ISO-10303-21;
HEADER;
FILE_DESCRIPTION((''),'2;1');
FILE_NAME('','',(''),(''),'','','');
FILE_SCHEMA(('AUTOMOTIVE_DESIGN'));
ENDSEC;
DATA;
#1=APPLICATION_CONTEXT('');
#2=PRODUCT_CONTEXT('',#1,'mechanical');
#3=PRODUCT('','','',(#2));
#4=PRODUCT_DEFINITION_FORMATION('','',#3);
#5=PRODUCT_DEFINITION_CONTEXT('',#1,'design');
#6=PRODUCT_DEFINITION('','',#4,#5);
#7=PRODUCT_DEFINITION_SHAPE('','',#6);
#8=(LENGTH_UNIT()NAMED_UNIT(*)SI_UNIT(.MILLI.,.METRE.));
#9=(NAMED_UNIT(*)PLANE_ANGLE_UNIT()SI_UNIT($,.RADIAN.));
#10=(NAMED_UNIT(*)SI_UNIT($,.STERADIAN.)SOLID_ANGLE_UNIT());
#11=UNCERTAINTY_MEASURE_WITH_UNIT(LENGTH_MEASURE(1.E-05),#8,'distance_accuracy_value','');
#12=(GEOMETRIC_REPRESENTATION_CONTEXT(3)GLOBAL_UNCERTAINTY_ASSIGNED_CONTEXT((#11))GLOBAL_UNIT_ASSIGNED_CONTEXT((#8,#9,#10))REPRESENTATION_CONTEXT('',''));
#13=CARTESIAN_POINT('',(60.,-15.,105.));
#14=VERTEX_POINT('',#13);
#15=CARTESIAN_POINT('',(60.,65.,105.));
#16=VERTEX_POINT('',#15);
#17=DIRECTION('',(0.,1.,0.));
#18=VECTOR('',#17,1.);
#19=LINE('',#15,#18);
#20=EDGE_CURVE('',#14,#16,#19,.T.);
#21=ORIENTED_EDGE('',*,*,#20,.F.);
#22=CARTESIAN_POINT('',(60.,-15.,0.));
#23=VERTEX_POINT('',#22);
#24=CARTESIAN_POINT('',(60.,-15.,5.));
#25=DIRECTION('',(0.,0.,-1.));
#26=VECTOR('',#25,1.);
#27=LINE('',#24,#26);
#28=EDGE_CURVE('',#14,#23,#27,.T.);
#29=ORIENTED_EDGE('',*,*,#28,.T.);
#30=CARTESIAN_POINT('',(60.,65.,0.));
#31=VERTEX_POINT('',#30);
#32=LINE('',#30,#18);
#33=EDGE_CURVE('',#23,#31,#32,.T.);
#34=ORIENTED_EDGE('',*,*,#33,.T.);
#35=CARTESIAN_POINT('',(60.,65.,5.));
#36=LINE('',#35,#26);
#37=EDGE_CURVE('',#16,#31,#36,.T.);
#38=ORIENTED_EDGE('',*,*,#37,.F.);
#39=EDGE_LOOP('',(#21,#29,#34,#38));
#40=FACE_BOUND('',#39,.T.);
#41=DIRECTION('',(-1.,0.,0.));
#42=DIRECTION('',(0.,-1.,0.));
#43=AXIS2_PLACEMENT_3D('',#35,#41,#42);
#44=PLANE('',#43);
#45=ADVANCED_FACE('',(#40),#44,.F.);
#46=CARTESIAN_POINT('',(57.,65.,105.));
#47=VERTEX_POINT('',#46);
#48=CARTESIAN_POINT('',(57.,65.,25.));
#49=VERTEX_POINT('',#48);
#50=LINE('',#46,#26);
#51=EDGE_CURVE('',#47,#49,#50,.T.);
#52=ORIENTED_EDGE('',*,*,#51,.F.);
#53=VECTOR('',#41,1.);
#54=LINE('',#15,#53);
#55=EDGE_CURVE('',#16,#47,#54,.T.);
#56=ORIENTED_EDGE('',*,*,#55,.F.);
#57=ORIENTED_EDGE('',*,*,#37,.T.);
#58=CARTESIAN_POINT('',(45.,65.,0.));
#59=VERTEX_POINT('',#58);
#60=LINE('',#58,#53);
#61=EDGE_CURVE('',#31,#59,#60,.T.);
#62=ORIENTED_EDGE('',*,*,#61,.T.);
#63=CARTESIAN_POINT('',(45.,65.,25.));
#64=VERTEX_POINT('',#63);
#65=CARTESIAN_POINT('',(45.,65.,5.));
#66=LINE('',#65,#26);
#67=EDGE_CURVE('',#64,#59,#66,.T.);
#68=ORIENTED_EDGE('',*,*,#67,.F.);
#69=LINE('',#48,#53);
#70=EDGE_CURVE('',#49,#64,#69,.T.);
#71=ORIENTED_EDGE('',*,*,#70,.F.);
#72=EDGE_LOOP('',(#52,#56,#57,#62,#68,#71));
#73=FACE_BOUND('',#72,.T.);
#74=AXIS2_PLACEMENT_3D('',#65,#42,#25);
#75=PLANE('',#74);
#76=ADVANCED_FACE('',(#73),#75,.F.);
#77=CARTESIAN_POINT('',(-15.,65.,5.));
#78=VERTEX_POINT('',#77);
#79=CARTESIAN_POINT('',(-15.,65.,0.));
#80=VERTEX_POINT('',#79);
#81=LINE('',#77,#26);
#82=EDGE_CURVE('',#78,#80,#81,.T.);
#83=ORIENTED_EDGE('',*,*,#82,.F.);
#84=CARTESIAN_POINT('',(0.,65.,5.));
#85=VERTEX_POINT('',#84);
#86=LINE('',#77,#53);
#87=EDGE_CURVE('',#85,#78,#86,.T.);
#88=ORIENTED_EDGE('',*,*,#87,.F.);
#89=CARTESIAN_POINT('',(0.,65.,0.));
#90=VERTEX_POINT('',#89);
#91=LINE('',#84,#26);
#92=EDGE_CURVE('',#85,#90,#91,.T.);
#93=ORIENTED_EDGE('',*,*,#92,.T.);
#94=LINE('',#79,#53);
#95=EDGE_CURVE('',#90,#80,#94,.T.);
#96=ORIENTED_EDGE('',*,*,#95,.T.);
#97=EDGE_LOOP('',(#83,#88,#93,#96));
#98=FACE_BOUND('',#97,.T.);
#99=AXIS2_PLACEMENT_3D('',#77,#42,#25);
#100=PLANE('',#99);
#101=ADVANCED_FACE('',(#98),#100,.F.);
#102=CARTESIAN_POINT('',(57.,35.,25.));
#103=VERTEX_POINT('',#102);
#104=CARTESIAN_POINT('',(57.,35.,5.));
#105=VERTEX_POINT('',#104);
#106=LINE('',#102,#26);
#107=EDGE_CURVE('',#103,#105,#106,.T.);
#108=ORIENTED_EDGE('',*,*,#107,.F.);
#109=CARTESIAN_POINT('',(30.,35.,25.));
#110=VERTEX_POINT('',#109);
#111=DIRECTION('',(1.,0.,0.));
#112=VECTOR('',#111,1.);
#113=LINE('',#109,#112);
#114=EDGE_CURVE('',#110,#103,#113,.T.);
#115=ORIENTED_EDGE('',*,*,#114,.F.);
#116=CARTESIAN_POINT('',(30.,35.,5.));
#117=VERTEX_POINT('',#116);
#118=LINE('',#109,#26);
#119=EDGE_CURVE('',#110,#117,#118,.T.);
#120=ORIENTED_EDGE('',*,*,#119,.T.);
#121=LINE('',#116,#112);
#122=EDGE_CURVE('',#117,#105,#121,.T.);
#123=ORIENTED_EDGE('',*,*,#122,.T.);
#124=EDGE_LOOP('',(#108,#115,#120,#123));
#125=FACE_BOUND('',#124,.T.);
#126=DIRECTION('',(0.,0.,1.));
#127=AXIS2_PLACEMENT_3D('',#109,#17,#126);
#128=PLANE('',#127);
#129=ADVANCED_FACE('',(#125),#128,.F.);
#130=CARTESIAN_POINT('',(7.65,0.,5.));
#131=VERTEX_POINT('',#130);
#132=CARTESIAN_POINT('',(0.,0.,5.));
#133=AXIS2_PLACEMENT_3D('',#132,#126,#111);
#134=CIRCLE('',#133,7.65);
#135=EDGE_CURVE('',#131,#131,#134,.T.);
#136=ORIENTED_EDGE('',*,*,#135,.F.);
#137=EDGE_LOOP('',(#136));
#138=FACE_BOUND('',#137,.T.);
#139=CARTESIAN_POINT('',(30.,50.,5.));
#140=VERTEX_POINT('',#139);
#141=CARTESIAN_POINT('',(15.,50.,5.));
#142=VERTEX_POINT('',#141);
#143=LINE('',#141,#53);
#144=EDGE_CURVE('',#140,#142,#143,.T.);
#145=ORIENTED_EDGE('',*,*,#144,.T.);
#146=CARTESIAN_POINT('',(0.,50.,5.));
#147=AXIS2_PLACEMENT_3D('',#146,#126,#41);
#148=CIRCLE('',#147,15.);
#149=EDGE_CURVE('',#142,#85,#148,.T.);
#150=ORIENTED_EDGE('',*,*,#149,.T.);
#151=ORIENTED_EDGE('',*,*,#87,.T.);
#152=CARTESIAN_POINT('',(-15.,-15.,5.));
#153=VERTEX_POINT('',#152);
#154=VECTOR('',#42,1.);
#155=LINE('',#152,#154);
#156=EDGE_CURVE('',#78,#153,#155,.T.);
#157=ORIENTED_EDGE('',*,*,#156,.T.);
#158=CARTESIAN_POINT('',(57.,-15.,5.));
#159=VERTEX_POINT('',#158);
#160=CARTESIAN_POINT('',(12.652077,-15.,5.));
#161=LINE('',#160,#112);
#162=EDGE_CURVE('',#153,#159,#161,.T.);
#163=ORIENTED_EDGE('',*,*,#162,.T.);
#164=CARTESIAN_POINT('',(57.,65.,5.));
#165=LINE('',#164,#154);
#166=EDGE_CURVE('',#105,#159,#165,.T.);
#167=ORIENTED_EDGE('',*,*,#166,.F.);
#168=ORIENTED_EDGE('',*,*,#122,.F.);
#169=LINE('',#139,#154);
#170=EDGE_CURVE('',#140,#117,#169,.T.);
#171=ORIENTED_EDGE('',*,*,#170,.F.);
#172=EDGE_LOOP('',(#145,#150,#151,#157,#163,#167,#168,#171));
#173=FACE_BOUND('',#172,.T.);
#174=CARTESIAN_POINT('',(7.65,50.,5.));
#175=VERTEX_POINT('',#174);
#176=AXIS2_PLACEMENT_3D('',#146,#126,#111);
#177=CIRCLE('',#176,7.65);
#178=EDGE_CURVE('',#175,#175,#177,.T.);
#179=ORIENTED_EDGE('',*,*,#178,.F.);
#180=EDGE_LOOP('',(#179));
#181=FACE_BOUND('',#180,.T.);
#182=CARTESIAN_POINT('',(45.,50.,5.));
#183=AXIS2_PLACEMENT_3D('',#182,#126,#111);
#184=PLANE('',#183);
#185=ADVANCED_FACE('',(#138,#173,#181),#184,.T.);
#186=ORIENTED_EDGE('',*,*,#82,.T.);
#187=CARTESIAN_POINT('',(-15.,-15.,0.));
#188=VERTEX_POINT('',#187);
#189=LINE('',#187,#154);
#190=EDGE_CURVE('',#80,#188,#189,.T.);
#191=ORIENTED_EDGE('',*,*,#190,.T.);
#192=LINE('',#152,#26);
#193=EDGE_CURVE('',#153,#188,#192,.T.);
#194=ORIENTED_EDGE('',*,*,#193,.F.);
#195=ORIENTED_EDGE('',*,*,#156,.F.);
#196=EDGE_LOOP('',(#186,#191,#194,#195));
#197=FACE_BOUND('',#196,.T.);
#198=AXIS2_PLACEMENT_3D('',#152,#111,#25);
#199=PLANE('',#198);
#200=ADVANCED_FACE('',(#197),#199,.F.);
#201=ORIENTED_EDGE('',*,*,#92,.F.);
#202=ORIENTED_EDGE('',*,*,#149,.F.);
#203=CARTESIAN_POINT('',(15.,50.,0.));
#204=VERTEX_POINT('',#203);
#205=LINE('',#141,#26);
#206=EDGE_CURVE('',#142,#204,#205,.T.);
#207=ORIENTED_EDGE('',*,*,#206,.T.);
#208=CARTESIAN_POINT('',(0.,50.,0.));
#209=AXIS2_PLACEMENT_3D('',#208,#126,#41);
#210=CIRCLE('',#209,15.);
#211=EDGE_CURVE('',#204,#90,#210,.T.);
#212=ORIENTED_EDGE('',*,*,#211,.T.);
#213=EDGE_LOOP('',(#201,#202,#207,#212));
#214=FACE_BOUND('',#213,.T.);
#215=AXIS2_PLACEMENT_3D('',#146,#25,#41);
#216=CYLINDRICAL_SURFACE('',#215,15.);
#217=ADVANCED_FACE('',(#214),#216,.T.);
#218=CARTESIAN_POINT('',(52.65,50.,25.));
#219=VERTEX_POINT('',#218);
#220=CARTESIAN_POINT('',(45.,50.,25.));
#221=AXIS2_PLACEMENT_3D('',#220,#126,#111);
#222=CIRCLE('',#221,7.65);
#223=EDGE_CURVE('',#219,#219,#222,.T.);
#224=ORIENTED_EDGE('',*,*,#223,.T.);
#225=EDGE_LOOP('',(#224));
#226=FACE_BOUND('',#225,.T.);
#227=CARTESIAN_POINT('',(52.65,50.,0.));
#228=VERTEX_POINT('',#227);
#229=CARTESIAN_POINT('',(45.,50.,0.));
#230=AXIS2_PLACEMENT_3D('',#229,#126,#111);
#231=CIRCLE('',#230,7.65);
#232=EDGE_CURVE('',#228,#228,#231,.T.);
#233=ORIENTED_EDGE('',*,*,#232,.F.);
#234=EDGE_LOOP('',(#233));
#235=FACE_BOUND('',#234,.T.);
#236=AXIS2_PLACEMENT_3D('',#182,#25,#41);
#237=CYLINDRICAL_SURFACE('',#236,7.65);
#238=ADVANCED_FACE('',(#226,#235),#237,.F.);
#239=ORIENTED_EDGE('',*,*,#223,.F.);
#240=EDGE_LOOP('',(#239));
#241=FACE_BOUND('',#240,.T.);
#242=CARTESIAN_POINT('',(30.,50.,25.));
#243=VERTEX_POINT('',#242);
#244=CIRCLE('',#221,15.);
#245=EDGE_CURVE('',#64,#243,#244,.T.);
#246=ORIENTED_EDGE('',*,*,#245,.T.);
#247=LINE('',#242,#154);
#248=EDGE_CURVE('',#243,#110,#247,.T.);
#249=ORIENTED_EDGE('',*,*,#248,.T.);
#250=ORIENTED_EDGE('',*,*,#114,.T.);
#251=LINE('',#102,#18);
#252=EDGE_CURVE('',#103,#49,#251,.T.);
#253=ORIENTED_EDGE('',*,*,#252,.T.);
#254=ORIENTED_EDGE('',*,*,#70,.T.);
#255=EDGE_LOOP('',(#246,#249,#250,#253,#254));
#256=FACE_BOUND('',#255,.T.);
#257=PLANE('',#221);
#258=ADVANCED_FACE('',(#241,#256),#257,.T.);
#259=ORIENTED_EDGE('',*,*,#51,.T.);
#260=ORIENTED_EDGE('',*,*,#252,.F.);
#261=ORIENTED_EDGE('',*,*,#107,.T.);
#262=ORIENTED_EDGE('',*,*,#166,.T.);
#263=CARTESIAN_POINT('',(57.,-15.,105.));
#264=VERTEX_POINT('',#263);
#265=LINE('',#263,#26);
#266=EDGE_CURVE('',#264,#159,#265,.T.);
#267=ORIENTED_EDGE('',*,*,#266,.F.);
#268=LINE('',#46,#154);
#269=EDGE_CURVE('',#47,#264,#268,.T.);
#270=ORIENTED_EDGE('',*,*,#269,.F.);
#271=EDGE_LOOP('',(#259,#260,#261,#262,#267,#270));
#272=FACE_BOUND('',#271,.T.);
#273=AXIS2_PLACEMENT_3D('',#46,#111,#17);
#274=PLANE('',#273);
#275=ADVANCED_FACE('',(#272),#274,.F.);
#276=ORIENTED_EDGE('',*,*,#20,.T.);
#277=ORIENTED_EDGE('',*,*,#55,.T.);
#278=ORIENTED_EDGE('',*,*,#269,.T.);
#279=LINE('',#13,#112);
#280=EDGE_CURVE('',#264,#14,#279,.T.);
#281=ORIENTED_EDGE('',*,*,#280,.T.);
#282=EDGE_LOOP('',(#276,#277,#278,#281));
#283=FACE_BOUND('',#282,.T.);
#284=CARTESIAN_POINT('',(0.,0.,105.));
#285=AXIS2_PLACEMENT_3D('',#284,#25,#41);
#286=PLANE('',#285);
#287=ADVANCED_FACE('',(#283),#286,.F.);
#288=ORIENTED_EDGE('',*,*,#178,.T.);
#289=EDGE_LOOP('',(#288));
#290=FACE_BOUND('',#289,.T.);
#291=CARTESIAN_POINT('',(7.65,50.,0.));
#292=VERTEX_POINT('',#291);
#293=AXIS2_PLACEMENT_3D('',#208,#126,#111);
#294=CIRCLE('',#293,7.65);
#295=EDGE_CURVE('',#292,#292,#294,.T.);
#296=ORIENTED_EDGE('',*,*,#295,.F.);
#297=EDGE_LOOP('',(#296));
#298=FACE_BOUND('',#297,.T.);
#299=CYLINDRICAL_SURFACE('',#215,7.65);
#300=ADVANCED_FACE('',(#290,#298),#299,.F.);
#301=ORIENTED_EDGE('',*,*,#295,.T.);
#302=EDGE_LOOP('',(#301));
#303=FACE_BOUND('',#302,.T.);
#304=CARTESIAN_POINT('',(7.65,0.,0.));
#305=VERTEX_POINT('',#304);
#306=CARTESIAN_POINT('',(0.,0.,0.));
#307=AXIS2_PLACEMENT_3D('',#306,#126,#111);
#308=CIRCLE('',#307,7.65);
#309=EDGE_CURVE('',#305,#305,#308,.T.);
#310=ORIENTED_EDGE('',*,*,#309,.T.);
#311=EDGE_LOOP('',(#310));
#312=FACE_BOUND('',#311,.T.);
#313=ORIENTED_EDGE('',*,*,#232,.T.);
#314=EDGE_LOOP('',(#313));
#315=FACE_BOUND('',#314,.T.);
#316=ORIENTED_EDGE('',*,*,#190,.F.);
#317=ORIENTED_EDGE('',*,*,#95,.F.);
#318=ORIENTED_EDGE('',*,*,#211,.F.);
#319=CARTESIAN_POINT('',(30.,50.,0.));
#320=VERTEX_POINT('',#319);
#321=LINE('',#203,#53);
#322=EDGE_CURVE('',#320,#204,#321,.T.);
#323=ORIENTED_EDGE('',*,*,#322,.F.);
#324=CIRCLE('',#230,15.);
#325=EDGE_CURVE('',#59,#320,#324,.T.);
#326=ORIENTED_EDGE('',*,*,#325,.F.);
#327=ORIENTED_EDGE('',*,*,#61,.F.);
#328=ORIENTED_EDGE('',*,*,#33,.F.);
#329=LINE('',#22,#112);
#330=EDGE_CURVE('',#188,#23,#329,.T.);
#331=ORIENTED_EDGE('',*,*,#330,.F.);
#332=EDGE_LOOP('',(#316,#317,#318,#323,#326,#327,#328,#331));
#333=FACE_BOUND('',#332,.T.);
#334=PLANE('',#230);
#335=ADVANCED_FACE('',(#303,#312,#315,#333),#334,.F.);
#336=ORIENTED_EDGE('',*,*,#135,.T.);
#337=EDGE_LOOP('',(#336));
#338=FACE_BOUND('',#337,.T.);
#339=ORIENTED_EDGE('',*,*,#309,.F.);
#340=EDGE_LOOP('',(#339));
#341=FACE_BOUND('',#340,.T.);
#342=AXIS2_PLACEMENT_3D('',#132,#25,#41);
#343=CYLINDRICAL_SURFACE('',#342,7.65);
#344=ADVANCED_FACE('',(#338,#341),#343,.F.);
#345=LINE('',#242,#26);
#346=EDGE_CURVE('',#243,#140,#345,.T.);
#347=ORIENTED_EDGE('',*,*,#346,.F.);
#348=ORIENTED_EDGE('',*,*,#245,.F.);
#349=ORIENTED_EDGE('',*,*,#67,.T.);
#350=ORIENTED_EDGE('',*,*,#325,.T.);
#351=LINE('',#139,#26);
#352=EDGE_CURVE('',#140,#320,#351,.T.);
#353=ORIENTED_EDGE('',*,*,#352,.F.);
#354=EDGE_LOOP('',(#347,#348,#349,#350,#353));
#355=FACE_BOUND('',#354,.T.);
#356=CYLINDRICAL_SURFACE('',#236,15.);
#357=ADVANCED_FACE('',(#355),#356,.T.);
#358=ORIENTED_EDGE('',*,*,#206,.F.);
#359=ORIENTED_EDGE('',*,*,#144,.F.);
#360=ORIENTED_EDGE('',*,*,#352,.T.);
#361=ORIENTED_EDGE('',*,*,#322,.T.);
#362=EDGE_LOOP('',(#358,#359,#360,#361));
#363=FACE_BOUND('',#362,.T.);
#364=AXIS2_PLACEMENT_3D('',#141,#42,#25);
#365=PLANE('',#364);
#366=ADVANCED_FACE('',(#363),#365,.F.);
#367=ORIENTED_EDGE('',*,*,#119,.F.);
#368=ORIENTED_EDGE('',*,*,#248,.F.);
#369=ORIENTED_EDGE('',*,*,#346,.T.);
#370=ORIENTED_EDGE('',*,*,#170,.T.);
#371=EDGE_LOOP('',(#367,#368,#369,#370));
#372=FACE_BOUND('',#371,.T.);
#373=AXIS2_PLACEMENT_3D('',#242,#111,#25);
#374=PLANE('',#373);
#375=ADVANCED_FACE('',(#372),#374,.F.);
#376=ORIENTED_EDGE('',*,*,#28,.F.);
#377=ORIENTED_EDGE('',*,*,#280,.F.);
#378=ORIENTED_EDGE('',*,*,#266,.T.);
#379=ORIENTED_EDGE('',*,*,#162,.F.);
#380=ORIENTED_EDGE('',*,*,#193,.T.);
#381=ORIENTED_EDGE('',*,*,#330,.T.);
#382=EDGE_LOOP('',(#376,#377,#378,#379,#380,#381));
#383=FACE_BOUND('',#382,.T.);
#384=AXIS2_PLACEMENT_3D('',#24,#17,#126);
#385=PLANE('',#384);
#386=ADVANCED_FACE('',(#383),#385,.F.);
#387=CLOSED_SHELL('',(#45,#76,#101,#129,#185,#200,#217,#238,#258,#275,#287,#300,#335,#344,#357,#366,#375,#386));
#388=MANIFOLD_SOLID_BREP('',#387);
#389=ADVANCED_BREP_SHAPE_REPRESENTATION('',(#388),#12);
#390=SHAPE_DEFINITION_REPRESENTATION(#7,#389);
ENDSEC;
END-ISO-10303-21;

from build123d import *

# Parameters (mm, degrees)
SKETCH1_R           = 7.65
BOSS_EXTRUDE2_DEPTH = 5
SKETCH2_W           = 3
SKETCH2_H           = 80
BOSS_EXTRUDE3_DEPTH = 100
SKETCH3_R           = 7.65
BOSS_EXTRUDE4_DEPTH = 20


with BuildPart() as part:
    # Sketch1 → Boss-Extrude2 (new body)
    with BuildSketch(Plane.XY):
        with BuildLine():
            Line((-15, 65), (0, 65))
            ThreePointArc((0, 65), (10.606601718, 60.606601718), (15, 50))
            Line((15, 50), (30, 50))
            ThreePointArc((30, 50), (34.393398282, 60.606601718), (45, 65))
            Line((45, 65), (60, 65))
            Line((60, 65), (60, 41.966335985))
            Line((60, 41.966335985), (60, -15))
            Line((60, -15), (12.652076701, -15))
            Line((12.652076701, -15), (-15, -15))
            Line((-15, -15), (-15, 65))
        make_face()
        Circle(SKETCH1_R, mode=Mode.SUBTRACT)
        with Locations((45, 50)):
            Circle(SKETCH1_R, mode=Mode.SUBTRACT)
        with Locations((0, 50)):
            Circle(SKETCH1_R, mode=Mode.SUBTRACT)
    extrude(amount=BOSS_EXTRUDE2_DEPTH)

    # Sketch2 → Boss-Extrude3 (add)
    with BuildSketch(Plane.XY.offset(5)):
        with Locations((58.5, 25)):
            Rectangle(SKETCH2_W, SKETCH2_H)
    extrude(amount=BOSS_EXTRUDE3_DEPTH)

    # Sketch3 → Boss-Extrude4 (add)
    with BuildSketch(Plane.XY.offset(5)):
        with BuildLine():
            Line((30, 50), (30, 35))
            Line((30, 35), (57, 35))
            Line((57, 35), (57, 65))
            Line((57, 65), (45, 65))
            ThreePointArc((45, 65), (34.393398282, 60.606601718), (30, 50))
        make_face()
        with Locations((45, 50)):
            Circle(SKETCH3_R, mode=Mode.SUBTRACT)
    extrude(amount=BOSS_EXTRUDE4_DEPTH)


solid = part.part
